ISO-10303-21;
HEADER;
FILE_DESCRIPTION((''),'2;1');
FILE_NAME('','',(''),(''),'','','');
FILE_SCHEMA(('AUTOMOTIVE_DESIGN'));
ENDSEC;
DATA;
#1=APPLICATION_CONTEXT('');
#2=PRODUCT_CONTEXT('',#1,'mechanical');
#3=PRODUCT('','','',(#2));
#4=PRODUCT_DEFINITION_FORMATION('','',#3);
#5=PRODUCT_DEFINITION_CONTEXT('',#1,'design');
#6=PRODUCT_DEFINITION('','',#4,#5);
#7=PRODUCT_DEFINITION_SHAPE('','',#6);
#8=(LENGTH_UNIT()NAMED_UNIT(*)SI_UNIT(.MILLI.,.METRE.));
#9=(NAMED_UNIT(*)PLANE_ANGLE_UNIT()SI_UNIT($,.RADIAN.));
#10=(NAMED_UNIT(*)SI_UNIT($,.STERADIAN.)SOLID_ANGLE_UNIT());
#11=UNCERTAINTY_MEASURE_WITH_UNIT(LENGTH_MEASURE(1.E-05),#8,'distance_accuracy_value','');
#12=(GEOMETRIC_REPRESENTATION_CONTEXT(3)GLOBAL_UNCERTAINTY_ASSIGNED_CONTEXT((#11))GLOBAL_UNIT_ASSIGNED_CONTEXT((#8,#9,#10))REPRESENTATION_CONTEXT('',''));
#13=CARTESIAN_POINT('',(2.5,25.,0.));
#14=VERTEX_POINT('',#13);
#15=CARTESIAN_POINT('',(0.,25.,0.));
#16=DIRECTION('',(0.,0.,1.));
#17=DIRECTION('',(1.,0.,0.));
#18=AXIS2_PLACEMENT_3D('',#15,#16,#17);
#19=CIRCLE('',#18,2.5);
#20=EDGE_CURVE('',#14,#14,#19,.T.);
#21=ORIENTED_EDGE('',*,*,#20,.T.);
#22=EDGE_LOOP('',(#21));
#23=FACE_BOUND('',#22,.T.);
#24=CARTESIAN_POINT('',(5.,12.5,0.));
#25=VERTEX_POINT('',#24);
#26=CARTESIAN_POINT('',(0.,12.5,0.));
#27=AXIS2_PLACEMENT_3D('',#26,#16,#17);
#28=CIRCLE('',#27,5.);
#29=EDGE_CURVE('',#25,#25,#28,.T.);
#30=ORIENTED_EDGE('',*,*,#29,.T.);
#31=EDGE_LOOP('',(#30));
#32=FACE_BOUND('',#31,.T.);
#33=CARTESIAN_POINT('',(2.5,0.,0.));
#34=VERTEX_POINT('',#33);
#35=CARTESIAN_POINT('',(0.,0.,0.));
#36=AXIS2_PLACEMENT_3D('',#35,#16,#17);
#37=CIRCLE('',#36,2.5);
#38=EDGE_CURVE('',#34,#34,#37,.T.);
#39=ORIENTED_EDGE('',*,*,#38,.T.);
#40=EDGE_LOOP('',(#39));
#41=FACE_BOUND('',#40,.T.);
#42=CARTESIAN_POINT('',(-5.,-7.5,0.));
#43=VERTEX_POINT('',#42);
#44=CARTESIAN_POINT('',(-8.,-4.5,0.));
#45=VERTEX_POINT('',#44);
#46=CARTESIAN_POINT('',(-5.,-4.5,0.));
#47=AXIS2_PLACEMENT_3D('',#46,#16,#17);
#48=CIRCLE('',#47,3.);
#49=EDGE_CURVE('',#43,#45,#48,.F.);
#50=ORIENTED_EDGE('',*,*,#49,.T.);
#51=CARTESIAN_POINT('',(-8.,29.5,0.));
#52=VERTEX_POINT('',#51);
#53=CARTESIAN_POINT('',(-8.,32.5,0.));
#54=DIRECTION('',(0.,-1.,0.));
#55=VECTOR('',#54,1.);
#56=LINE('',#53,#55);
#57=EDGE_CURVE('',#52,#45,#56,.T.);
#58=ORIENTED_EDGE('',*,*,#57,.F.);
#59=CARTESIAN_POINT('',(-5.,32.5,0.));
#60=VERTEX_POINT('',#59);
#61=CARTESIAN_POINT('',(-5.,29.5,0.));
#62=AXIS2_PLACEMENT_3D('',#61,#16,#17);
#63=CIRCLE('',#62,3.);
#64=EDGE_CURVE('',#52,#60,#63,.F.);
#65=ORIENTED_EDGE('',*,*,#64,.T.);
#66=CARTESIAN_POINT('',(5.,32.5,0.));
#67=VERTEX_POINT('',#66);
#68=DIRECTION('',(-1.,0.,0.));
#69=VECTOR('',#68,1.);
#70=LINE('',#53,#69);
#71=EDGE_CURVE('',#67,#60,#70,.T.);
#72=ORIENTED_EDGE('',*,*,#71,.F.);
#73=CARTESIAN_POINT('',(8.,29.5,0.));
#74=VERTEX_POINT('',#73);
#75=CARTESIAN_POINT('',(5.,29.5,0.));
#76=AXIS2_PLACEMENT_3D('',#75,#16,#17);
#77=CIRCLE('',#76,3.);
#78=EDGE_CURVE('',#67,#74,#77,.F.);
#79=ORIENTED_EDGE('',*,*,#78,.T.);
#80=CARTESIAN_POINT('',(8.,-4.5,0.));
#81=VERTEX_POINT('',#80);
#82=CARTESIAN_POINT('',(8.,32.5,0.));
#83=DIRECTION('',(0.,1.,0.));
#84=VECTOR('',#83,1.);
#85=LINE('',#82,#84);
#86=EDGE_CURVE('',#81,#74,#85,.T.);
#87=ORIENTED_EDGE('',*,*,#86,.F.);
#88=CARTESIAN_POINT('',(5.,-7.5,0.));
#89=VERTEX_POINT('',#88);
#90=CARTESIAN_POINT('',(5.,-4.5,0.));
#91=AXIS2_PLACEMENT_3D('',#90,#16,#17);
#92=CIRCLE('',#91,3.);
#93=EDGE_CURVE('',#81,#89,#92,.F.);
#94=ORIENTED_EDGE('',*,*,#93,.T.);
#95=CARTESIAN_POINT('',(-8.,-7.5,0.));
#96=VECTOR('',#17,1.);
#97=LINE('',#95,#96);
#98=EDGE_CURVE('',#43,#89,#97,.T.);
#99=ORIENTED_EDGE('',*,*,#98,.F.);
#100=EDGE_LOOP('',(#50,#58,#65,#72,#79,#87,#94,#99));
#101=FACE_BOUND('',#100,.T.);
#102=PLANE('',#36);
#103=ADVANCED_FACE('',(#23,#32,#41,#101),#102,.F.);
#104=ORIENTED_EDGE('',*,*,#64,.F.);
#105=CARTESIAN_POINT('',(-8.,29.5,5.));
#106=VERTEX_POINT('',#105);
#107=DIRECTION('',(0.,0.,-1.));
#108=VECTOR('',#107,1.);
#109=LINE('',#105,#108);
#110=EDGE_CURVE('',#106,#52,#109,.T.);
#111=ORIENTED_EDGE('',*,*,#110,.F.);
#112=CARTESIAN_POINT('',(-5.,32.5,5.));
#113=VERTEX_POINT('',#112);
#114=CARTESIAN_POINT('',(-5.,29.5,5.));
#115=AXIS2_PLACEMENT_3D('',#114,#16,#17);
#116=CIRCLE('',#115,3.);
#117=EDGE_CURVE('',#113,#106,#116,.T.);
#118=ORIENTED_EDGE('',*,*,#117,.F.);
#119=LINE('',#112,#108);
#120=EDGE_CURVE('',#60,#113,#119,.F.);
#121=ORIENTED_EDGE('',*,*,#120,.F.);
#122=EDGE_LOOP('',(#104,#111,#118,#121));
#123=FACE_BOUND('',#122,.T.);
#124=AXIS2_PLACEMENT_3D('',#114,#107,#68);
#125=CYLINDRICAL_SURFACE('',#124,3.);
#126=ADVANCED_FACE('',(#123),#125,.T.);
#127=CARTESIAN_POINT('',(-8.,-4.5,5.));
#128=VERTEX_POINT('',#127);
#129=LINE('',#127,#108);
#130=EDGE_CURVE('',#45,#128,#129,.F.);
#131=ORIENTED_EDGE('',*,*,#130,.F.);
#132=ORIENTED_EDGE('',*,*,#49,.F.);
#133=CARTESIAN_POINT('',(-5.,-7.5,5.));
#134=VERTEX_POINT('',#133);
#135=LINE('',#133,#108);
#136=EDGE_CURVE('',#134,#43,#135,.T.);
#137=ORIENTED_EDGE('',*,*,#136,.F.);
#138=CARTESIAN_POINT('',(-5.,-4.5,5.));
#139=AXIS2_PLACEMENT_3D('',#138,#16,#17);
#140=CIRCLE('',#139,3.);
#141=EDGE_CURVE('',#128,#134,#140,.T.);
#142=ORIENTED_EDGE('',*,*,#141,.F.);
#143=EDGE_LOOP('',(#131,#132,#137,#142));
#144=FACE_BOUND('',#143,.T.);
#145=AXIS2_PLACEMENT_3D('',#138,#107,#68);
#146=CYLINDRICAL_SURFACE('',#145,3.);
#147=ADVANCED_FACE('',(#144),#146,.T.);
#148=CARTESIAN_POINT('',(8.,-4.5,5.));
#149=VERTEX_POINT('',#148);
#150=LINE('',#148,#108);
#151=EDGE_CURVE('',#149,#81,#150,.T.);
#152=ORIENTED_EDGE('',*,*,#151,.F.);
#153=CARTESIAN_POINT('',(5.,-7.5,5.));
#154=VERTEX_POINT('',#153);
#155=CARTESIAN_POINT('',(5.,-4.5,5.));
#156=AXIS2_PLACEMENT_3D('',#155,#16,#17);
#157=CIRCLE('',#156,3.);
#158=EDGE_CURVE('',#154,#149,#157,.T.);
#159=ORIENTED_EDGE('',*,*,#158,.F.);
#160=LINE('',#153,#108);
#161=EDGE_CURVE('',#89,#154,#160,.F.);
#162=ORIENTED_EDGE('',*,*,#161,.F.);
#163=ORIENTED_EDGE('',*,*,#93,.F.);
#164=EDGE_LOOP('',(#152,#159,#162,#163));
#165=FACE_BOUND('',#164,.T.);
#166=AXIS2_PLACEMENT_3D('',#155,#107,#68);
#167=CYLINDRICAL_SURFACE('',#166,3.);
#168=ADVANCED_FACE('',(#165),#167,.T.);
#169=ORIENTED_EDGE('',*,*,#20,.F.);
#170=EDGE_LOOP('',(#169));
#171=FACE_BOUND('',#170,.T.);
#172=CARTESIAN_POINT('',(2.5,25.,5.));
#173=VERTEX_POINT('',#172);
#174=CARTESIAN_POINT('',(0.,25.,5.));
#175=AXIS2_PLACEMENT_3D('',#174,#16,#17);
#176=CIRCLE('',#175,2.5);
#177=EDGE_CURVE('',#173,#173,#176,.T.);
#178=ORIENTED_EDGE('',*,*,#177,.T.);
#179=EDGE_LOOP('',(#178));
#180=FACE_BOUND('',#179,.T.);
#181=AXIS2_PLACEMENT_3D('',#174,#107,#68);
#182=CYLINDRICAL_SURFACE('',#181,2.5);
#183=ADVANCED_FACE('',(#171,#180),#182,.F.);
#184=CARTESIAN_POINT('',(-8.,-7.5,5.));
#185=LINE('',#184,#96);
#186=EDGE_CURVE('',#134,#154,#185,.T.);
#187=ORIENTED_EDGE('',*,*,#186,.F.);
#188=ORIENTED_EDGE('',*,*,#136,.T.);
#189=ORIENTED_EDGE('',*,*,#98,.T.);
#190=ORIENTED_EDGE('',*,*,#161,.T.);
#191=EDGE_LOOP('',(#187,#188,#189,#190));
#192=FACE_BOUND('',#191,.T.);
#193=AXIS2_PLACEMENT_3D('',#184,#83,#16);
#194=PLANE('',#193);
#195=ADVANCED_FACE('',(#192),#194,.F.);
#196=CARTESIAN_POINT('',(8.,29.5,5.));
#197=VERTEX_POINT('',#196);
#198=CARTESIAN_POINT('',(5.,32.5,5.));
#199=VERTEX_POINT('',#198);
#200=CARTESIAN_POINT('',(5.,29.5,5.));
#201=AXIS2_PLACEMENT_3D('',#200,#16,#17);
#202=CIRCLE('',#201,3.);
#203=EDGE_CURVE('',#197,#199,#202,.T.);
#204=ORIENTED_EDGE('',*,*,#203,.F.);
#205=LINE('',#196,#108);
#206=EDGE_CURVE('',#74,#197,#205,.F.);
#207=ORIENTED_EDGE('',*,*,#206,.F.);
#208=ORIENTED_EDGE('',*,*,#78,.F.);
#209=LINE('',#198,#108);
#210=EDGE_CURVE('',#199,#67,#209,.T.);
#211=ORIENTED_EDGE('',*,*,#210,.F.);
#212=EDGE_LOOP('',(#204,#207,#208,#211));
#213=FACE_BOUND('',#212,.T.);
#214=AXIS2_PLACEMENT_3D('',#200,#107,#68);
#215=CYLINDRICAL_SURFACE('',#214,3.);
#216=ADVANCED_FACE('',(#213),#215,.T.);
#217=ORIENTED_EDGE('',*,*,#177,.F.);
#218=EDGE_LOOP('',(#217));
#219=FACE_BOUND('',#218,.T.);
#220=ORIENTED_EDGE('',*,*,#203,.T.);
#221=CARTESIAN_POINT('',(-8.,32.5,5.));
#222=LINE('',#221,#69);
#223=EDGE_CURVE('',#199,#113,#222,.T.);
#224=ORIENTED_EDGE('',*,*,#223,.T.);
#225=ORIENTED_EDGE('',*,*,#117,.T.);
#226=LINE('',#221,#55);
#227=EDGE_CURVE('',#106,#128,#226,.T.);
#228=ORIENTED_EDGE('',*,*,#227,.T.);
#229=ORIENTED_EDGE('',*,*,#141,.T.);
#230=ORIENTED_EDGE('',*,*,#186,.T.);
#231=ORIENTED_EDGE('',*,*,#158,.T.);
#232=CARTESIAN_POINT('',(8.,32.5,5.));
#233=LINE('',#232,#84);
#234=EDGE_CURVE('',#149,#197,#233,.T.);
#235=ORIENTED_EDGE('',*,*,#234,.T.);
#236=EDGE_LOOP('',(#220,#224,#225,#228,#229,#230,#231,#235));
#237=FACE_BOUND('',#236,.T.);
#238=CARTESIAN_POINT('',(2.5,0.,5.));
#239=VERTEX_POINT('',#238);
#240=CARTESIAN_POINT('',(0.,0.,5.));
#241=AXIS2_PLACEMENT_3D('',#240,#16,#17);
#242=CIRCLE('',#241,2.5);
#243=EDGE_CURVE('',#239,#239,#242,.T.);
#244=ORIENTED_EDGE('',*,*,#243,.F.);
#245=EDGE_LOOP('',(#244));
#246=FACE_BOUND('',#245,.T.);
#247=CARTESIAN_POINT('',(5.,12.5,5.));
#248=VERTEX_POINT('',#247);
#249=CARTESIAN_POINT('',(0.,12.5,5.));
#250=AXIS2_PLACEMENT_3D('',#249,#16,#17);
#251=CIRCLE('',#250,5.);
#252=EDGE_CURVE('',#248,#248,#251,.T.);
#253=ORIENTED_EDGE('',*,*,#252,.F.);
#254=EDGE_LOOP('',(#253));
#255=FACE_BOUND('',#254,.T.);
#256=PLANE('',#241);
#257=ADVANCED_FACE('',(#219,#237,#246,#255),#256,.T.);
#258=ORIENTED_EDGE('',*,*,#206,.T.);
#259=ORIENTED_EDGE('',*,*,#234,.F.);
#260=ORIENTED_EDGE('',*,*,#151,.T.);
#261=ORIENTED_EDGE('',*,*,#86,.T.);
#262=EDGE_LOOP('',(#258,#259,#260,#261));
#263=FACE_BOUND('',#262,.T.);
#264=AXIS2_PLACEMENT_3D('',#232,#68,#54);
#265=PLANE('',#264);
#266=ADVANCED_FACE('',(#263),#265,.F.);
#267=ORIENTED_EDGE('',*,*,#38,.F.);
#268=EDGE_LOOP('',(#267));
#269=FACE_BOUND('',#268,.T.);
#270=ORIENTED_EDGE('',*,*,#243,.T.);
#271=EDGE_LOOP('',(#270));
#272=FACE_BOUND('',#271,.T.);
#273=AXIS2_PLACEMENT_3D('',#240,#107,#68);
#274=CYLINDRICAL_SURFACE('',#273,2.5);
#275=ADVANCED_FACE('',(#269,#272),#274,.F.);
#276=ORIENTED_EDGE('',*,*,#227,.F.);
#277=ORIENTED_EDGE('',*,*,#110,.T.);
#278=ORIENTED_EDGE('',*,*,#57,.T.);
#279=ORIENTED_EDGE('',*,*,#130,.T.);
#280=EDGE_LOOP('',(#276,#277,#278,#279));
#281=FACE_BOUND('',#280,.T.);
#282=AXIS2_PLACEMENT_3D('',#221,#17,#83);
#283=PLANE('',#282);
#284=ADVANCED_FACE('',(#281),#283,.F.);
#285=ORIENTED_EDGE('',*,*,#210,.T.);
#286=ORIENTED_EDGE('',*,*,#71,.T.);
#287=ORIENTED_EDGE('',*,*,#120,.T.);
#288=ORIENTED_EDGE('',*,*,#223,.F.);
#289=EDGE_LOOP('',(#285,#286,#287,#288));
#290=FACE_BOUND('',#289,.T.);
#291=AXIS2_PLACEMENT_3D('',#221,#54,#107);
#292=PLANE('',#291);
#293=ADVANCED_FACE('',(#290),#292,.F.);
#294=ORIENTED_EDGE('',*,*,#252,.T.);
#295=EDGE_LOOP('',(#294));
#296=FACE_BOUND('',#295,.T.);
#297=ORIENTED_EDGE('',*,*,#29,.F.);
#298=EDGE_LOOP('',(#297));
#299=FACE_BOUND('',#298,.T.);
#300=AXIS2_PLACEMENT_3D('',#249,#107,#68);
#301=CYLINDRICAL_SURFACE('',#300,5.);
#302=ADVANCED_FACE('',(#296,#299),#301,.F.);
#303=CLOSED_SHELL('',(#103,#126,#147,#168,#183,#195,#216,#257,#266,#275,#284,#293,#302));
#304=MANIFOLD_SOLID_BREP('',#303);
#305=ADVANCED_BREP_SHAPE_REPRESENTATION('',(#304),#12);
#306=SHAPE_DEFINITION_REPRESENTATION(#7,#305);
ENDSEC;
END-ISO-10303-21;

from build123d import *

# Parameters (mm, degrees)
SKETCH_1_W      = 16
SKETCH_1_H      = 40
SKETCH_1_R      = 2.5
SKETCH_1_R_2    = 5
EXTRUDE_1_DEPTH = 5
FILLET_1_R      = 3


with BuildPart() as part:
    # 草图1 → 凸台-拉伸1 (new body)
    with BuildSketch(Plane.XY):
        with Locations((0, 12.5)):
            Rectangle(SKETCH_1_W, SKETCH_1_H)
        with Locations((0, 25)):
            Circle(SKETCH_1_R, mode=Mode.SUBTRACT)
        Circle(SKETCH_1_R, mode=Mode.SUBTRACT)
        with Locations((0, 12.5)):
            Circle(SKETCH_1_R_2, mode=Mode.SUBTRACT)
    extrude(amount=EXTRUDE_1_DEPTH)

    # 圆角1
    fillet_1_edges = [part.edges().sort_by_distance(p)[0] for p in [
        (8, -7.5, 2.5),
        (-8, -7.5, 2.5),
        (-8, 32.5, 2.5),
        (8, 32.5, 2.5),
    ]]
    fillet(fillet_1_edges, radius=FILLET_1_R)


solid = part.part
